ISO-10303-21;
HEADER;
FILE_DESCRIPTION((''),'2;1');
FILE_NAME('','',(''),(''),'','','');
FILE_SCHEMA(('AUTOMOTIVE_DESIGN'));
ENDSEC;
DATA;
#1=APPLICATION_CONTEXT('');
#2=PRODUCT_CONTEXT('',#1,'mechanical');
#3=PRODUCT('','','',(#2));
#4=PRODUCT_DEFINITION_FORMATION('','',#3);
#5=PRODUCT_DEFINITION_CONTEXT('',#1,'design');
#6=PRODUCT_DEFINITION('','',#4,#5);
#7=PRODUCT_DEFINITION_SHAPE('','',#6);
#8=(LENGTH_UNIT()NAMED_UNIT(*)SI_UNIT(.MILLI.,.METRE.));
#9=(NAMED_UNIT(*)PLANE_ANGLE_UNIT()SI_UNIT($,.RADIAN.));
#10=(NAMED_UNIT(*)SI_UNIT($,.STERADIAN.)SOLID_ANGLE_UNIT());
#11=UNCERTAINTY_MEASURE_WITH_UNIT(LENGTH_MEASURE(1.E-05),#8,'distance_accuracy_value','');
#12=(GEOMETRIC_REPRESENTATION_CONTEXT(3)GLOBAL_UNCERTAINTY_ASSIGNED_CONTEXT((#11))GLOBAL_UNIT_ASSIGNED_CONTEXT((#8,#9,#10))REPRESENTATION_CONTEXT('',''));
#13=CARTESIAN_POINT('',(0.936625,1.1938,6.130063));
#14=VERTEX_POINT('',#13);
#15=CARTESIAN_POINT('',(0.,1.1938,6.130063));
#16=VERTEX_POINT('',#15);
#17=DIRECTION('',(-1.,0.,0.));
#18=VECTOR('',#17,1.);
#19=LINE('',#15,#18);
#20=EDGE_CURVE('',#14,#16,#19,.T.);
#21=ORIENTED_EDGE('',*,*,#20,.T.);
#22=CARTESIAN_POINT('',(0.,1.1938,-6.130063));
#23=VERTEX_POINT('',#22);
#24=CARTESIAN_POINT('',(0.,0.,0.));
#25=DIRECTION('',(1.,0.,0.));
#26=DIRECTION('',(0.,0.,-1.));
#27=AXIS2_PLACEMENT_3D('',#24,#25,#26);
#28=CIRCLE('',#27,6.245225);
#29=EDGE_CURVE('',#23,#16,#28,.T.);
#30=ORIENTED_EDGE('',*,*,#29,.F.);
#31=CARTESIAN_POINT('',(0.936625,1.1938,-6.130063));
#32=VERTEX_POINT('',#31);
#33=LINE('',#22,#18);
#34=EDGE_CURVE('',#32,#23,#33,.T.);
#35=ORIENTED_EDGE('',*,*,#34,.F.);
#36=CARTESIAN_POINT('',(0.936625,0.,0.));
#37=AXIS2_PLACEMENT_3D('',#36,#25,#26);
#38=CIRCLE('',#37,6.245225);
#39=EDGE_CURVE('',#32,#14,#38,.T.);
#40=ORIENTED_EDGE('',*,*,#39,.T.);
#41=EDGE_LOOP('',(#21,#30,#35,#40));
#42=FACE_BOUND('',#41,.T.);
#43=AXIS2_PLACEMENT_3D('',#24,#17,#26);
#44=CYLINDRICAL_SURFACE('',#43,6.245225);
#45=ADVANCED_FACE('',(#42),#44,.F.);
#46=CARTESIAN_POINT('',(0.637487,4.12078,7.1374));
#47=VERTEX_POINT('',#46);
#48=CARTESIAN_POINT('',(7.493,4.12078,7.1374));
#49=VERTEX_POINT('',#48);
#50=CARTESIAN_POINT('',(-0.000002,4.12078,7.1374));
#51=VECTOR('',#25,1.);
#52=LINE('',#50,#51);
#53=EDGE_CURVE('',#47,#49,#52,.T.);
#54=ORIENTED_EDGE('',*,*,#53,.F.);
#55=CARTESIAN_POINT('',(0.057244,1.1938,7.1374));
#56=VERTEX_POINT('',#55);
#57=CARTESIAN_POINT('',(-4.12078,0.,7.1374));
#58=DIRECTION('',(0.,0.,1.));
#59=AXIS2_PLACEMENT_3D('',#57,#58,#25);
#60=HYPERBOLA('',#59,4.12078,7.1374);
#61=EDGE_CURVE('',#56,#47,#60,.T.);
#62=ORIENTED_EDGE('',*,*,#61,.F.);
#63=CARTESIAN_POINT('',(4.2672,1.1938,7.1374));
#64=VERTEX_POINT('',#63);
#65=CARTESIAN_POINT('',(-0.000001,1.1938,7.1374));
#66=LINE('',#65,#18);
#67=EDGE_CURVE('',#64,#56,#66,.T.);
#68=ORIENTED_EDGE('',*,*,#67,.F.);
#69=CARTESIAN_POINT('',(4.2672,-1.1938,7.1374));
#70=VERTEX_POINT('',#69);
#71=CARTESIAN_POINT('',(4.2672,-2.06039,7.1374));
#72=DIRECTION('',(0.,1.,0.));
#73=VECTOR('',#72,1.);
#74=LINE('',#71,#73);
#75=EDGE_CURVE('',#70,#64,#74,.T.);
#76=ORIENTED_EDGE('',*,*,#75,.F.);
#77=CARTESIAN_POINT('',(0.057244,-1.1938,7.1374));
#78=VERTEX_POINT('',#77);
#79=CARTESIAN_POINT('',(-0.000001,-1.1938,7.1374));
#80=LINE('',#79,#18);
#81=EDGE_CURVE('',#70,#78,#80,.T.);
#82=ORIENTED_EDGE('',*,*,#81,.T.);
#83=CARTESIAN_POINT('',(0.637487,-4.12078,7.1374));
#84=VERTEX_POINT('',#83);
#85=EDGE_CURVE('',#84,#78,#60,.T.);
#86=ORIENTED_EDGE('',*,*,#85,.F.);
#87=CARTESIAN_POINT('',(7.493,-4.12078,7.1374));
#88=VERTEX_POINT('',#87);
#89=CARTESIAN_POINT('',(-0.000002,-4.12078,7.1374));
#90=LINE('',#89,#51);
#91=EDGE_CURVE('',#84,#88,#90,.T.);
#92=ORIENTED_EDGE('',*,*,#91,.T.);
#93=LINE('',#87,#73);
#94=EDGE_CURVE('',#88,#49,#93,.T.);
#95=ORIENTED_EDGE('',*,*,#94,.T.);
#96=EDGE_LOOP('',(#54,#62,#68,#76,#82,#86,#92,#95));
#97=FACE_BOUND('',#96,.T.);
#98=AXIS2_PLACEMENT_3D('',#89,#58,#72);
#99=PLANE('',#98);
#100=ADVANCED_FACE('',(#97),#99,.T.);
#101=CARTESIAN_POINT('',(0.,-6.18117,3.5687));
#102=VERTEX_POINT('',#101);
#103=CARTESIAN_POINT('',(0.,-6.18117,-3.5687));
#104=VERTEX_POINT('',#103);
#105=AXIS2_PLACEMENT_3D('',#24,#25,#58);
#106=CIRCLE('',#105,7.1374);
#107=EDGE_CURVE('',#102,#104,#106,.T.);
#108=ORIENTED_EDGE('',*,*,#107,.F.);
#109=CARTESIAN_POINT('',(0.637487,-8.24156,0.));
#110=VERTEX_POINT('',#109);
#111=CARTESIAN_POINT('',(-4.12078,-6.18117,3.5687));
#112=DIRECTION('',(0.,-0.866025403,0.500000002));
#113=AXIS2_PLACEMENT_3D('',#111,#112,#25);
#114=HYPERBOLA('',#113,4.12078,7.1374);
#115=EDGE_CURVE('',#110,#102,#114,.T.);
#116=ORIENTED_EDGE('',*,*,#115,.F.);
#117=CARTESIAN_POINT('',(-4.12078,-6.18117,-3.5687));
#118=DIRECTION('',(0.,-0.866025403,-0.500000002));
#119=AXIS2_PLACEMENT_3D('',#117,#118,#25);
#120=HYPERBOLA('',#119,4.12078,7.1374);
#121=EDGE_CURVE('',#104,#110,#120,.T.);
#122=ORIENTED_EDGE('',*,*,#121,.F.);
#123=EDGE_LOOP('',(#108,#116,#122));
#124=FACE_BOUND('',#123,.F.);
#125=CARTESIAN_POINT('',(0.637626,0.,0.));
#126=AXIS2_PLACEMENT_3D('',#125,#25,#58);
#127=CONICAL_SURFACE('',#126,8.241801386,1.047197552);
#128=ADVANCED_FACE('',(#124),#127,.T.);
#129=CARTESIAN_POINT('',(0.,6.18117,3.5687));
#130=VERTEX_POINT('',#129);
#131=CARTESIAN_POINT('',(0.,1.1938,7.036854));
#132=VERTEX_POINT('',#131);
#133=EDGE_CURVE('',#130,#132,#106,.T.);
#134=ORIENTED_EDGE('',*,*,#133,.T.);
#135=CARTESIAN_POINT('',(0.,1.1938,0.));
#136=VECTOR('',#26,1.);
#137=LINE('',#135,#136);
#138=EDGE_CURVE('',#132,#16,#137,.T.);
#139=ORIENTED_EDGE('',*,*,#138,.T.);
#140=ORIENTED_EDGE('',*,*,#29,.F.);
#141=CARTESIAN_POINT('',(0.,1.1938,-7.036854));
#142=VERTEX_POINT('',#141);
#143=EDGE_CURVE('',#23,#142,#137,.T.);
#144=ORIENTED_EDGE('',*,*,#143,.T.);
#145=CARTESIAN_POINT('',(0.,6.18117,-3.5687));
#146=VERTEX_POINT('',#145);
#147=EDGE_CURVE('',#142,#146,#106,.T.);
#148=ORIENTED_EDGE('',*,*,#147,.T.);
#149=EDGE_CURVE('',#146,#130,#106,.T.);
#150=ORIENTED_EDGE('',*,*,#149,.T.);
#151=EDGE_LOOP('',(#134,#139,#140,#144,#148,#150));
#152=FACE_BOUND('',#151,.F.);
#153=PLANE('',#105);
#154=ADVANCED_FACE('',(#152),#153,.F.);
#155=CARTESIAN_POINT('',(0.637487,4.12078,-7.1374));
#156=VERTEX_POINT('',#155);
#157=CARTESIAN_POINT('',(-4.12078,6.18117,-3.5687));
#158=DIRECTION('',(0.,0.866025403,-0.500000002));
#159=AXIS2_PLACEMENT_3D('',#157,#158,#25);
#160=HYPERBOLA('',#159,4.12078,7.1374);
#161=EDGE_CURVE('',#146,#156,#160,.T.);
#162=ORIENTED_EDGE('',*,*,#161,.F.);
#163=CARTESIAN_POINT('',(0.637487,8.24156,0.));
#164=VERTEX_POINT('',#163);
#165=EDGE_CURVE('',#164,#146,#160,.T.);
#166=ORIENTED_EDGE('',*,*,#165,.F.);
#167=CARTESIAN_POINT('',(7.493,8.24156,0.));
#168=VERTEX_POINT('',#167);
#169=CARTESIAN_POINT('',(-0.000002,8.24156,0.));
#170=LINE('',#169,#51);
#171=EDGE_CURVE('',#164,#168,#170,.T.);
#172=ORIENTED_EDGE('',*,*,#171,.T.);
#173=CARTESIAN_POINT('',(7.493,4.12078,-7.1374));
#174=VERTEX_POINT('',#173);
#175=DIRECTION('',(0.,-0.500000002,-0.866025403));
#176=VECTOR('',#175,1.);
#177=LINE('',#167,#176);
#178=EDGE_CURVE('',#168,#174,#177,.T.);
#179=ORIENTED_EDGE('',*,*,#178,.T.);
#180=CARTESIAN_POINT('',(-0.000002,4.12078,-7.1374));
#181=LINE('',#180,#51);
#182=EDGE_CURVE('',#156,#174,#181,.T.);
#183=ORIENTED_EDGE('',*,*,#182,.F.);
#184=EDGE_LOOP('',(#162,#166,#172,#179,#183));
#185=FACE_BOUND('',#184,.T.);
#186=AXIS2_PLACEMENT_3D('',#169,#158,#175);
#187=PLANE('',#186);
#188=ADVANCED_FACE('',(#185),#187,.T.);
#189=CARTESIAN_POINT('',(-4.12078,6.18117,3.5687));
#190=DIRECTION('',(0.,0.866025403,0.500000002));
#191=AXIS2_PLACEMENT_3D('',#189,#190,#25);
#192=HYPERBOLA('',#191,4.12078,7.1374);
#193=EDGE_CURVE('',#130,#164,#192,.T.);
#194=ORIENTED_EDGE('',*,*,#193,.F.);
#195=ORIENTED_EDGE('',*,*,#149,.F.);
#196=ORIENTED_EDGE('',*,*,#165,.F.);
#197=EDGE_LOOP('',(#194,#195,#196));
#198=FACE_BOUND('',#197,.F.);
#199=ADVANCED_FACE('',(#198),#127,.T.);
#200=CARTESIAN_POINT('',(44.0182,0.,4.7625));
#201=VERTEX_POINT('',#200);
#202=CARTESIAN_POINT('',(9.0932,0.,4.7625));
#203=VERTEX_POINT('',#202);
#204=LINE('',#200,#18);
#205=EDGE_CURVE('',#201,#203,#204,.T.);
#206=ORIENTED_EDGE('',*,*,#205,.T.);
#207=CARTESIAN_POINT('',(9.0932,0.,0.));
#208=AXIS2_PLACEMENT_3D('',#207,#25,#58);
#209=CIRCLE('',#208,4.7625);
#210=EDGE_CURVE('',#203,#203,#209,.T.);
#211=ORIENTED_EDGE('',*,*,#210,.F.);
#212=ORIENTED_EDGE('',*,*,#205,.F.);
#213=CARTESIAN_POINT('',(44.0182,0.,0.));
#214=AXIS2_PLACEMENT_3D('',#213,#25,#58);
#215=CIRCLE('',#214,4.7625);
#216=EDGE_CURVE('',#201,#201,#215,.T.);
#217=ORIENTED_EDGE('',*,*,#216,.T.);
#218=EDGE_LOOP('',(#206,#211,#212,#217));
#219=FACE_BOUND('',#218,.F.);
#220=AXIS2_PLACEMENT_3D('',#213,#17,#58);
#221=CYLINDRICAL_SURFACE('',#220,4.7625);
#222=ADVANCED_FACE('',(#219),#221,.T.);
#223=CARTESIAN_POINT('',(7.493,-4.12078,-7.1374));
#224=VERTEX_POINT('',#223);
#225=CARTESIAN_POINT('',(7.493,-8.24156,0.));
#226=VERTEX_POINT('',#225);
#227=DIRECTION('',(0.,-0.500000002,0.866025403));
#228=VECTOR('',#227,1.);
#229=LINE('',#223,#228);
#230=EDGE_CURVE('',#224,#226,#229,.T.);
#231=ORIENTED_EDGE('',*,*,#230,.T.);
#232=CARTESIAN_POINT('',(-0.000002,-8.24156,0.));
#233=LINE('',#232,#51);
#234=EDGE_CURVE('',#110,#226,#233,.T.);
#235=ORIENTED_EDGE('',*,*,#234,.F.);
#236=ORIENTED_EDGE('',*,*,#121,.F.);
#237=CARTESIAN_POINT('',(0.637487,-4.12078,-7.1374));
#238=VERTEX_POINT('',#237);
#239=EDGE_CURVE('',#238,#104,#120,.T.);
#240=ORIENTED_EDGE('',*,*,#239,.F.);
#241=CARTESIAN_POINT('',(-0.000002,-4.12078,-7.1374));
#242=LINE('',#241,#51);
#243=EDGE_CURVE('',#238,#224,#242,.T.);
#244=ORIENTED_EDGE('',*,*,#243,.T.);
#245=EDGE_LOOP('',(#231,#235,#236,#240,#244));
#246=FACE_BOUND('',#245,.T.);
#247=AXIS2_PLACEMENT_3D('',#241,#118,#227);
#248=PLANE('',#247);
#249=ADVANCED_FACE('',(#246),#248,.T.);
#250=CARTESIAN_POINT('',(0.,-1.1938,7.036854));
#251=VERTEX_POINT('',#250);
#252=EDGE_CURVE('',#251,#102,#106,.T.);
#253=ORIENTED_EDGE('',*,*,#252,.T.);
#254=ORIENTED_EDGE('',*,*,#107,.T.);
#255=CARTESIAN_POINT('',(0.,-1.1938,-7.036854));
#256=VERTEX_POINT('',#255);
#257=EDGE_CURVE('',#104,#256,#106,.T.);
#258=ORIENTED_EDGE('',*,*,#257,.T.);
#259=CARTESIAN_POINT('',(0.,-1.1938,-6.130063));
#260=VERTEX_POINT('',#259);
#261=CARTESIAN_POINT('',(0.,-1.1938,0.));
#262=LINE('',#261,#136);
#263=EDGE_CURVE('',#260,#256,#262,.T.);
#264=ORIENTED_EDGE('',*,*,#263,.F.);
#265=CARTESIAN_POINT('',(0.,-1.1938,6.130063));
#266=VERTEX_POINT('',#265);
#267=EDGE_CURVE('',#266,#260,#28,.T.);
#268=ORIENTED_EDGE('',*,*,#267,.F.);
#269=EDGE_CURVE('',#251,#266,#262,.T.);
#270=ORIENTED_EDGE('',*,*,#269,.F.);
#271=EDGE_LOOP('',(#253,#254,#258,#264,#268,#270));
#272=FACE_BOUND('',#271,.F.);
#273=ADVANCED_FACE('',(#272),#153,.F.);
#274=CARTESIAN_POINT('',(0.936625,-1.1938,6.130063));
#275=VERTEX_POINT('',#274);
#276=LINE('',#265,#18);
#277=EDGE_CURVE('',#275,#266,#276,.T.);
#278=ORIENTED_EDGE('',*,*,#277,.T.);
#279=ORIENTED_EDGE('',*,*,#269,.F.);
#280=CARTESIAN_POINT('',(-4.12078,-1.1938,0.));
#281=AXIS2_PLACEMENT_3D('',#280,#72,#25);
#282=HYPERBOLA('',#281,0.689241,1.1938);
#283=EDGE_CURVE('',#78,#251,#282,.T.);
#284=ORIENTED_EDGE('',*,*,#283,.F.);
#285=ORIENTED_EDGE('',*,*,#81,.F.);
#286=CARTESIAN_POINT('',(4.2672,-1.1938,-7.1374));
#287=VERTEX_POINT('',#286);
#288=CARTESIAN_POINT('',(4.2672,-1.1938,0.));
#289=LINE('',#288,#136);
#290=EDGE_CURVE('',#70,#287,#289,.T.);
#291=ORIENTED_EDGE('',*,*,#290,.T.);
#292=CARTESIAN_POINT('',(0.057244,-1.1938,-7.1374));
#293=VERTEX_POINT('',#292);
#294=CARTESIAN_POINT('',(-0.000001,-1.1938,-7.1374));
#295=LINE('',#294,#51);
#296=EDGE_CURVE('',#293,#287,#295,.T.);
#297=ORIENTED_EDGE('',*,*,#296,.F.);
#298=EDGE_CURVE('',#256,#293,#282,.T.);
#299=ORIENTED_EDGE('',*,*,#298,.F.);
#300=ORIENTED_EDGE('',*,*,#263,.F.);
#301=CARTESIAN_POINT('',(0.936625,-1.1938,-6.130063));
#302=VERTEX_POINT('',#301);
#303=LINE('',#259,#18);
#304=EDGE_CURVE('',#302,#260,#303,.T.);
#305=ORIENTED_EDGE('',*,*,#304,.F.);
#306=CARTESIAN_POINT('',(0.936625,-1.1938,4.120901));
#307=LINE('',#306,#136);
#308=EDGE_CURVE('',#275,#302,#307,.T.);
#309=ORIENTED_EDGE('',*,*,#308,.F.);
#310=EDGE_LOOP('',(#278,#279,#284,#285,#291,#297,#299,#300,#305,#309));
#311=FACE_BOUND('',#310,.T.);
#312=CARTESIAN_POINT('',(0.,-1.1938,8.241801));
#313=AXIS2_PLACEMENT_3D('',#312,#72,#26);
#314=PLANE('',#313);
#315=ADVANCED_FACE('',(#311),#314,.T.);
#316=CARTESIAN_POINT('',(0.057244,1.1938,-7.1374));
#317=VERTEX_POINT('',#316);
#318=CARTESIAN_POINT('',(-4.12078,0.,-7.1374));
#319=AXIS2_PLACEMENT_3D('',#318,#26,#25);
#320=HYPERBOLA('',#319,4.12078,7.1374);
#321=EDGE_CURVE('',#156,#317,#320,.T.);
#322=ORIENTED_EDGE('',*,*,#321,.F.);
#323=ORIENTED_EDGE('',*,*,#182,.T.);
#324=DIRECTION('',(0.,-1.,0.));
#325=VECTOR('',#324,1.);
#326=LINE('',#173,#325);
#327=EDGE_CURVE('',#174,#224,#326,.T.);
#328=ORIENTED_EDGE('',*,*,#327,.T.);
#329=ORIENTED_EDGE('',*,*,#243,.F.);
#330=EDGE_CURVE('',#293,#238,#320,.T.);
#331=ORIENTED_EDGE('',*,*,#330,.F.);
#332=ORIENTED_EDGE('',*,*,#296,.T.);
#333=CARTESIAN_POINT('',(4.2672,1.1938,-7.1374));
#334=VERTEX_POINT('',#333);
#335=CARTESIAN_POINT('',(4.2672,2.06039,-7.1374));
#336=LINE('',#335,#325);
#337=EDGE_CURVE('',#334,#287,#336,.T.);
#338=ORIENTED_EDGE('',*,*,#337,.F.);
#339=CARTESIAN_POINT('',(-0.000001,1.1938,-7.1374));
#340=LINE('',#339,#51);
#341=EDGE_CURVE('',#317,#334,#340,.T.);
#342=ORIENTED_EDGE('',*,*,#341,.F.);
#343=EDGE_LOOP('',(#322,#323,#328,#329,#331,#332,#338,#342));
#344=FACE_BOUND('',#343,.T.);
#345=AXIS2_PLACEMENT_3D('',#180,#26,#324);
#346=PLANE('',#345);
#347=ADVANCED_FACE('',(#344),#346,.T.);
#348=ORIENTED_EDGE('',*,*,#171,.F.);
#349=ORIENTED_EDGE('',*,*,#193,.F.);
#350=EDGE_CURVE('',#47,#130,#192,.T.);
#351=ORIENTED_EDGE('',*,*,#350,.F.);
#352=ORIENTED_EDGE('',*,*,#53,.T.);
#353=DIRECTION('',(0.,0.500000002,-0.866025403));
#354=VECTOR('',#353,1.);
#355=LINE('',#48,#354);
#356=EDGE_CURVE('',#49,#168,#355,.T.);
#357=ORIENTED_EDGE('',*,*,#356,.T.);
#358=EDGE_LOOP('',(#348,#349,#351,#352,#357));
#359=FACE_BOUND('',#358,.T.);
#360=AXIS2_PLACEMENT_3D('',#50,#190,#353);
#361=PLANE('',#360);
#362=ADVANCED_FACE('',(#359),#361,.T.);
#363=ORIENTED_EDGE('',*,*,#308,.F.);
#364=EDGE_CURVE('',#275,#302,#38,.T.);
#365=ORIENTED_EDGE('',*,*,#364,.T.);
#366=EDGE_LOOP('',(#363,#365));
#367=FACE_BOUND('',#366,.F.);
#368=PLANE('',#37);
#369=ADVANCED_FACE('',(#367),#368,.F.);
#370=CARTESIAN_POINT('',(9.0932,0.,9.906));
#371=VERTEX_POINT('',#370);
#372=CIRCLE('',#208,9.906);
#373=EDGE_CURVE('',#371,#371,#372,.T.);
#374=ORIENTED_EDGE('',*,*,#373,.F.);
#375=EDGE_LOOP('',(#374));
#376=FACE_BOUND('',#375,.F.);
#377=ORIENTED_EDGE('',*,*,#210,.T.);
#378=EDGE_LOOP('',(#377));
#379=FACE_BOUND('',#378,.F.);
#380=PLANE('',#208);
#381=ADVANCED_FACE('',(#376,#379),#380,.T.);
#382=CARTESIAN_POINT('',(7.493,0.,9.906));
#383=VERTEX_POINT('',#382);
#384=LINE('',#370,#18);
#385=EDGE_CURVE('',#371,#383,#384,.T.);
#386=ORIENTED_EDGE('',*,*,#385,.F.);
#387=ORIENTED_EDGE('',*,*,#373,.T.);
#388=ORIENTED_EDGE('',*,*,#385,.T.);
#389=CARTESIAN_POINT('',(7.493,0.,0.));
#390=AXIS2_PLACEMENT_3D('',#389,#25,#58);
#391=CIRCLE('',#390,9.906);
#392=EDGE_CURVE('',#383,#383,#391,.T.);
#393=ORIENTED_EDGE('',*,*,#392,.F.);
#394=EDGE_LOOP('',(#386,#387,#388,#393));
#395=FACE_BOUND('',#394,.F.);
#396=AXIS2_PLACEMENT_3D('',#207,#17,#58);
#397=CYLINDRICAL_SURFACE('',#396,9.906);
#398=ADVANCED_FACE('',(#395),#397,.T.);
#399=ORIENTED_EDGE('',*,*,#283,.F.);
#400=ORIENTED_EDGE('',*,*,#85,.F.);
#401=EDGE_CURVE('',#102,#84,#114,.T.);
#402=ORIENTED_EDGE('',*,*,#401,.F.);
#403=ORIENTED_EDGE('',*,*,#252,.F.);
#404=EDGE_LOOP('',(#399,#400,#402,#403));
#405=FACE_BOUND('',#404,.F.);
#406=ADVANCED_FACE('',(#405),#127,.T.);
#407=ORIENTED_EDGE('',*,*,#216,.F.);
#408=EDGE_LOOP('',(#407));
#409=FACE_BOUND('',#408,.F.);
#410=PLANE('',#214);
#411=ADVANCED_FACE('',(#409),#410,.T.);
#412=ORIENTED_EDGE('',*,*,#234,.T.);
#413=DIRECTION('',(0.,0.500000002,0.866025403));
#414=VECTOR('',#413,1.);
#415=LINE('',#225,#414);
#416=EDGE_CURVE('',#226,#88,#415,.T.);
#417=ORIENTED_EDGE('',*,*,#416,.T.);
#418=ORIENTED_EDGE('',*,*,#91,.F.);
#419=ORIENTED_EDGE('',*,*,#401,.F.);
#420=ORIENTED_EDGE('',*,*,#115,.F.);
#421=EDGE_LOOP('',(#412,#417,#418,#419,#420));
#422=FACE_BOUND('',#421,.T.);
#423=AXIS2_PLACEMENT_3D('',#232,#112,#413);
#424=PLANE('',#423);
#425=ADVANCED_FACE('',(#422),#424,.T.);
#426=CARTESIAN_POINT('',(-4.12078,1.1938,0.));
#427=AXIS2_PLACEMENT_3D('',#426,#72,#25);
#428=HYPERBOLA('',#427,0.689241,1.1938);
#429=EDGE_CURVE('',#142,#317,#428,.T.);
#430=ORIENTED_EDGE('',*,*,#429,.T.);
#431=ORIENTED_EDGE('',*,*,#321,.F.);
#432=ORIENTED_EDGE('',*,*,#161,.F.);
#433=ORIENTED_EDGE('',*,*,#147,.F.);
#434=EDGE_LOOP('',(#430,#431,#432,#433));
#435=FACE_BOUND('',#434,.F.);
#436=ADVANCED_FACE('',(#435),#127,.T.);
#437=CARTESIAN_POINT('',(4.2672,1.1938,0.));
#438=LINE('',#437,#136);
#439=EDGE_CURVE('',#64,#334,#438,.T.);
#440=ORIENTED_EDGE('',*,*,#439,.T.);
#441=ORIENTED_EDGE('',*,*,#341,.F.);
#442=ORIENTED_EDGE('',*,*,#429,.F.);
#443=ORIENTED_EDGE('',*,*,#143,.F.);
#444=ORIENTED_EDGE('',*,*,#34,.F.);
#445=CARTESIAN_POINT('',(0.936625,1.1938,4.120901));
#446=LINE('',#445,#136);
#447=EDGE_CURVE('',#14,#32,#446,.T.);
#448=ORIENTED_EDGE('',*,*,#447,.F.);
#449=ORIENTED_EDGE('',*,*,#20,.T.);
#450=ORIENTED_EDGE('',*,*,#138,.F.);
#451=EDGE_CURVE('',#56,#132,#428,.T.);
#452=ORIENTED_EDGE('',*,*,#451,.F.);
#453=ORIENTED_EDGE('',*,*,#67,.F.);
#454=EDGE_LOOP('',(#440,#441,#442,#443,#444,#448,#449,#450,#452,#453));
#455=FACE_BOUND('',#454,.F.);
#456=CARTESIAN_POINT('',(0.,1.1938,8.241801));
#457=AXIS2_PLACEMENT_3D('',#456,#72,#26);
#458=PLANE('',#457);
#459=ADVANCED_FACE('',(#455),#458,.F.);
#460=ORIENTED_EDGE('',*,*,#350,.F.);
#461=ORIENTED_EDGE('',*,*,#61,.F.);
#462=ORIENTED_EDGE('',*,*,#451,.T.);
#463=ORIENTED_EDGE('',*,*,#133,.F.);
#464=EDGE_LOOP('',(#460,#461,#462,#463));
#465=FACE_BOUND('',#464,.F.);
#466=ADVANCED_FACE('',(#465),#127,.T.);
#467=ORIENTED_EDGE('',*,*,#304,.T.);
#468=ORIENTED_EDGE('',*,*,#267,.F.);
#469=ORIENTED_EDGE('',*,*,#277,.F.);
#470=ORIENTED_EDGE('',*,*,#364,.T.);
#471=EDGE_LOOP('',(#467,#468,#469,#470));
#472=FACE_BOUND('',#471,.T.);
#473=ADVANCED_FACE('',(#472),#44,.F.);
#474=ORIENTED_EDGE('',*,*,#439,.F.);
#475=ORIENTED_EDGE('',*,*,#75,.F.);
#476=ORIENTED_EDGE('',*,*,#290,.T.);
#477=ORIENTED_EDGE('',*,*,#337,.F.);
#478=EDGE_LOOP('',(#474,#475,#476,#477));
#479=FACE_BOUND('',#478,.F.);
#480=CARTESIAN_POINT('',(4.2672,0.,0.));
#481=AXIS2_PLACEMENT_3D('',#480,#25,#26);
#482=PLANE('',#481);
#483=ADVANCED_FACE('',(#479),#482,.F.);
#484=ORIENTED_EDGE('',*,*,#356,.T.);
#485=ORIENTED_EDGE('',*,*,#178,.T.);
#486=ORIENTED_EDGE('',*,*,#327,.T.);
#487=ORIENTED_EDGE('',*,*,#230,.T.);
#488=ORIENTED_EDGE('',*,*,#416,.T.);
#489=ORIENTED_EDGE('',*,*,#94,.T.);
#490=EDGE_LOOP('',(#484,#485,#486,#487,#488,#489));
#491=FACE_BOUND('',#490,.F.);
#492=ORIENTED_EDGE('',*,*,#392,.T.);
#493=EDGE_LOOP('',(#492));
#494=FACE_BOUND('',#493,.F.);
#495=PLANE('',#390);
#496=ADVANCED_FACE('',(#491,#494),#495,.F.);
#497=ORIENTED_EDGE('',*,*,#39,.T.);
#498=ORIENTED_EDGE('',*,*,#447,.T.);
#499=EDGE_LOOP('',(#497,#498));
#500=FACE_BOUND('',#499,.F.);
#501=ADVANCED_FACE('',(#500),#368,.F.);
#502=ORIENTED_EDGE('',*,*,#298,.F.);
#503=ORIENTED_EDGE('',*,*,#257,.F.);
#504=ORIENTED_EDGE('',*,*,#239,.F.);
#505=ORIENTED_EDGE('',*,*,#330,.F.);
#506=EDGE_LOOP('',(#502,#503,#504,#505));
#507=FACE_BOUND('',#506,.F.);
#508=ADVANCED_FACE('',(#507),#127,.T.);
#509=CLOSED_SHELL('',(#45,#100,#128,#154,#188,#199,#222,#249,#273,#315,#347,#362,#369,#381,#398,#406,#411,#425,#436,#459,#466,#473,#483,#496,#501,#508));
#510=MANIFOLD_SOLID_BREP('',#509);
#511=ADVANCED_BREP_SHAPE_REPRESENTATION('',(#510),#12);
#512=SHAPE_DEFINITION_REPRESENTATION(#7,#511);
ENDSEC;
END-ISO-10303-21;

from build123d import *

# Parameters (mm, degrees)
HEX_DIE_START = -2e-06
SKETCH2_R     = 10.00506
HEX_DIE_DEPTH = 7.493002
SKETCH3_W     = 16.483602772
SKETCH3_H     = 2.3876
SLOT_DEPTH    = 4.2672
SKETCH4_R     = 6.245225
INDENT_DEPTH  = 0.936625


with BuildPart() as part:
    # BodySke → Base-Revolve (revolve)
    with BuildSketch(Plane.XY, mode=Mode.PRIVATE) as base_revolve_sk:
        Polygon((9.0932, 4.7625), (9.0932, 9.906), (7.493, 9.906), (7.493, 8.241801386), (0.637626437, 8.241801386), (0, 7.1374), (0, 0), (44.0182, 0), (44.0182, 4.7625), align=None)
    revolve(base_revolve_sk.sketch.rotate(Axis((-25.4, 0, 0), (1, 0, 0)), 90), axis=Axis((-25.4, 0, 0), (1, 0, 0)))

    # Sketch2 → Hex-Die (cut)
    with BuildSketch(Plane(origin=(0, 0, 0), x_dir=(0, 0, -1), z_dir=(1, 0, 0)).offset(HEX_DIE_START)):
        Circle(SKETCH2_R)
        Polygon((-7.1374, 4.120779829), (0, 8.241559659), (7.1374, 4.120779829), (7.1374, -4.120779829), (0, -8.241559659), (-7.1374, -4.120779829), align=None, mode=Mode.SUBTRACT)
    extrude(amount=HEX_DIE_DEPTH, mode=Mode.SUBTRACT)

    # Sketch3 → Slot (cut)
    with BuildSketch(Plane(origin=(0, 0, 0), x_dir=(0, 0, -1), z_dir=(1, 0, 0))):
        Rectangle(SKETCH3_W, SKETCH3_H)
    extrude(amount=SLOT_DEPTH, mode=Mode.SUBTRACT)

    # Sketch4 → Indent (cut)
    with BuildSketch(Plane(origin=(0, 0, 0), x_dir=(0, 0, -1), z_dir=(1, 0, 0))):
        Circle(SKETCH4_R)
    extrude(amount=INDENT_DEPTH, mode=Mode.SUBTRACT)


solid = part.part
